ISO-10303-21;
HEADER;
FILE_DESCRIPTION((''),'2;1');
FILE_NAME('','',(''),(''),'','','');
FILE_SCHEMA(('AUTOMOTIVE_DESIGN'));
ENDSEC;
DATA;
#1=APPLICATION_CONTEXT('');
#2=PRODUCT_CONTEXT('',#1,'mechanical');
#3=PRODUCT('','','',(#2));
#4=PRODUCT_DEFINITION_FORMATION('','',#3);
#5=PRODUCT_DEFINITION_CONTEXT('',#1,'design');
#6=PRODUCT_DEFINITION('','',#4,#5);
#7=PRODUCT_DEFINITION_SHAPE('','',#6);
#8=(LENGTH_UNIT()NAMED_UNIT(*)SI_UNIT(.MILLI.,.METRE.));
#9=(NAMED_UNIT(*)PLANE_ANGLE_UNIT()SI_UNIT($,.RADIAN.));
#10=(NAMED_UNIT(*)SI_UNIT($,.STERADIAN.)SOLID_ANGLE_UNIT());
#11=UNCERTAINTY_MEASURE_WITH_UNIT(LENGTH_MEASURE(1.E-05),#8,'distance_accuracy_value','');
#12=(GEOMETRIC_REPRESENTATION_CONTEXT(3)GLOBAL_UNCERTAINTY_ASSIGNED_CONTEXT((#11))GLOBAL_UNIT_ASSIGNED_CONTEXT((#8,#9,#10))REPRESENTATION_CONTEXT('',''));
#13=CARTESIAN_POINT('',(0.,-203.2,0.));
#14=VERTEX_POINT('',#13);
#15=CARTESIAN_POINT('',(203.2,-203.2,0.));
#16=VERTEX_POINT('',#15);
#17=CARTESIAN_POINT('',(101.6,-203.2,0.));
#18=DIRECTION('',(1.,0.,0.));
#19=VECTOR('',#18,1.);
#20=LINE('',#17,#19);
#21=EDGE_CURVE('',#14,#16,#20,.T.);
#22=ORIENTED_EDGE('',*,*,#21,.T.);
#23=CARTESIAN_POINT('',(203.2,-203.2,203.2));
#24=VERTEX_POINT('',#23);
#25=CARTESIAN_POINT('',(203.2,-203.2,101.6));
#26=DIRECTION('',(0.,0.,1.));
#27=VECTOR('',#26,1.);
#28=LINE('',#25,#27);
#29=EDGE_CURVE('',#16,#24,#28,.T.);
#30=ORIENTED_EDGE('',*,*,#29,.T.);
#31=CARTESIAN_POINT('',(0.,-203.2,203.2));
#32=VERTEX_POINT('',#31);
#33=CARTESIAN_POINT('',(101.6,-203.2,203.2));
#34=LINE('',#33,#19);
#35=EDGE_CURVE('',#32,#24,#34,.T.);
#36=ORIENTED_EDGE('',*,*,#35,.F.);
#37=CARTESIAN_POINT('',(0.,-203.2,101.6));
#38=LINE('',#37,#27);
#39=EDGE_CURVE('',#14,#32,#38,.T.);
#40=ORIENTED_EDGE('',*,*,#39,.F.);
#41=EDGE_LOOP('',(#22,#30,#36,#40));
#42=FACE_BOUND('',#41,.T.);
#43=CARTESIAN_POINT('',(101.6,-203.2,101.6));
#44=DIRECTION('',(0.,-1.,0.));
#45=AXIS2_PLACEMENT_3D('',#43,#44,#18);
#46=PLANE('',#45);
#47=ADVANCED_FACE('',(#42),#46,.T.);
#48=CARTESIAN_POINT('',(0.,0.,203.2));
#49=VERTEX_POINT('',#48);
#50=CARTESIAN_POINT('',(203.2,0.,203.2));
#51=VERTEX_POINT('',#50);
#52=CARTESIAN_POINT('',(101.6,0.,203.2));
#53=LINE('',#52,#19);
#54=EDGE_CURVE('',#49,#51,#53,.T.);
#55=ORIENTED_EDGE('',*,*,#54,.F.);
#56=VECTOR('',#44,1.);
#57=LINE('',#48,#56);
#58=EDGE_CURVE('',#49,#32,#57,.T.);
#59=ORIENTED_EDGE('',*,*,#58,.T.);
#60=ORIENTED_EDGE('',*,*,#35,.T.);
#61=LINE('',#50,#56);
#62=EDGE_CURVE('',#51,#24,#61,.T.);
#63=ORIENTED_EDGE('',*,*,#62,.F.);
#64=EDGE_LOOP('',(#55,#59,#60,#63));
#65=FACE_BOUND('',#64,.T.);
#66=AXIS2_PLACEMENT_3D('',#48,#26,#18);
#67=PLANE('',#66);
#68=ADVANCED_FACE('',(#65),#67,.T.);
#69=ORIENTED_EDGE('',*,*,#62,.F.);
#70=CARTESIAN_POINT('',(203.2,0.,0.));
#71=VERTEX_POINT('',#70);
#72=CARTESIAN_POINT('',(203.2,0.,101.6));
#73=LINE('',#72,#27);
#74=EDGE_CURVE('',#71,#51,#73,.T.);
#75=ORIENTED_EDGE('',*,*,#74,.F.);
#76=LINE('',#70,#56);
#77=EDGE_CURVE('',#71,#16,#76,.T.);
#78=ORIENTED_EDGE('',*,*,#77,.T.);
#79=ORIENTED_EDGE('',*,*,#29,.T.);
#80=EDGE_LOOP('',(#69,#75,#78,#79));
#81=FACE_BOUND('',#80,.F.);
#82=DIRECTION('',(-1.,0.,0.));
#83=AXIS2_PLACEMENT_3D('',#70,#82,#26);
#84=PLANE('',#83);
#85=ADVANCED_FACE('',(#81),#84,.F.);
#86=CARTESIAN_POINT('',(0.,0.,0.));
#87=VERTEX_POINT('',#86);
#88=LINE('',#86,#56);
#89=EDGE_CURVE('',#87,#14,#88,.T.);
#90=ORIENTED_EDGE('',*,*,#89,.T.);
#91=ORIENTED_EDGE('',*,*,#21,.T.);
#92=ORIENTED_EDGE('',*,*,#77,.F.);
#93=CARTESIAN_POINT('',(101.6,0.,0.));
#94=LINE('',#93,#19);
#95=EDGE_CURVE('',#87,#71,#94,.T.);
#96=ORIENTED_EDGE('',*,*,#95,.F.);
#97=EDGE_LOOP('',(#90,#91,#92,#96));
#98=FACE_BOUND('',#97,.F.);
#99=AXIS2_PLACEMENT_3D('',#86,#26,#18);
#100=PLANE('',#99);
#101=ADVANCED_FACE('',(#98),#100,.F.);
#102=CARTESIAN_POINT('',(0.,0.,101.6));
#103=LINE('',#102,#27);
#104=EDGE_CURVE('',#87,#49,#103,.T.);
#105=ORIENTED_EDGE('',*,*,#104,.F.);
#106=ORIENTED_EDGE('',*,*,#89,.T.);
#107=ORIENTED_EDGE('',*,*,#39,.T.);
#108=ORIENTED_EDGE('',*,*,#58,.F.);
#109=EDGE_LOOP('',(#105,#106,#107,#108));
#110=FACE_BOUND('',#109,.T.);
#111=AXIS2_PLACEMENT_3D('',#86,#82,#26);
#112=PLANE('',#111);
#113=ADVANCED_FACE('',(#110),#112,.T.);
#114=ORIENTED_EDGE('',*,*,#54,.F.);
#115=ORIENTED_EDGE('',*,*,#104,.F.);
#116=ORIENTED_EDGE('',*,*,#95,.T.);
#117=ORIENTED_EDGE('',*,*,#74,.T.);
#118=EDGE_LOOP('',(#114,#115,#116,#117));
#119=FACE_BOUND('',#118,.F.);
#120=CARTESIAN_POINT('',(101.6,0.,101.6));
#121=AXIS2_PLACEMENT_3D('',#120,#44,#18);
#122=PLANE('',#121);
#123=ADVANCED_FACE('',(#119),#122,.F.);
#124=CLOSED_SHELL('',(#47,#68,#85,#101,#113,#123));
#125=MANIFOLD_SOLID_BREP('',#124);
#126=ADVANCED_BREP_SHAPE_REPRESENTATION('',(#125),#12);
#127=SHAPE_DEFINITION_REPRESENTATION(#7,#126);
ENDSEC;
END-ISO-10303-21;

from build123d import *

# Parameters (mm, degrees)
F0_W     = 203.2
F0_H     = 203.2
F1_DEPTH = 203.2
F2_R     = 25.4
F3_DEPTH = 203.2


with BuildPart() as f1:
    # F0 (on Front) → F1 (new body)
    with BuildSketch(Plane.XZ):
        with Locations((101.6, 101.6)):
            Rectangle(F0_W, F0_H)
    extrude(amount=F1_DEPTH)

    # F2 (on face) → F3 (cut)
    with BuildSketch(Plane(origin=(0, 0, 0), x_dir=(0, -1, 0), z_dir=(-1, 0, 0))):
        with Locations((102.335267, 103.037104)):
            Circle(F2_R)
    extrude(amount=F3_DEPTH, mode=Mode.SUBTRACT)


solid = f1.part
